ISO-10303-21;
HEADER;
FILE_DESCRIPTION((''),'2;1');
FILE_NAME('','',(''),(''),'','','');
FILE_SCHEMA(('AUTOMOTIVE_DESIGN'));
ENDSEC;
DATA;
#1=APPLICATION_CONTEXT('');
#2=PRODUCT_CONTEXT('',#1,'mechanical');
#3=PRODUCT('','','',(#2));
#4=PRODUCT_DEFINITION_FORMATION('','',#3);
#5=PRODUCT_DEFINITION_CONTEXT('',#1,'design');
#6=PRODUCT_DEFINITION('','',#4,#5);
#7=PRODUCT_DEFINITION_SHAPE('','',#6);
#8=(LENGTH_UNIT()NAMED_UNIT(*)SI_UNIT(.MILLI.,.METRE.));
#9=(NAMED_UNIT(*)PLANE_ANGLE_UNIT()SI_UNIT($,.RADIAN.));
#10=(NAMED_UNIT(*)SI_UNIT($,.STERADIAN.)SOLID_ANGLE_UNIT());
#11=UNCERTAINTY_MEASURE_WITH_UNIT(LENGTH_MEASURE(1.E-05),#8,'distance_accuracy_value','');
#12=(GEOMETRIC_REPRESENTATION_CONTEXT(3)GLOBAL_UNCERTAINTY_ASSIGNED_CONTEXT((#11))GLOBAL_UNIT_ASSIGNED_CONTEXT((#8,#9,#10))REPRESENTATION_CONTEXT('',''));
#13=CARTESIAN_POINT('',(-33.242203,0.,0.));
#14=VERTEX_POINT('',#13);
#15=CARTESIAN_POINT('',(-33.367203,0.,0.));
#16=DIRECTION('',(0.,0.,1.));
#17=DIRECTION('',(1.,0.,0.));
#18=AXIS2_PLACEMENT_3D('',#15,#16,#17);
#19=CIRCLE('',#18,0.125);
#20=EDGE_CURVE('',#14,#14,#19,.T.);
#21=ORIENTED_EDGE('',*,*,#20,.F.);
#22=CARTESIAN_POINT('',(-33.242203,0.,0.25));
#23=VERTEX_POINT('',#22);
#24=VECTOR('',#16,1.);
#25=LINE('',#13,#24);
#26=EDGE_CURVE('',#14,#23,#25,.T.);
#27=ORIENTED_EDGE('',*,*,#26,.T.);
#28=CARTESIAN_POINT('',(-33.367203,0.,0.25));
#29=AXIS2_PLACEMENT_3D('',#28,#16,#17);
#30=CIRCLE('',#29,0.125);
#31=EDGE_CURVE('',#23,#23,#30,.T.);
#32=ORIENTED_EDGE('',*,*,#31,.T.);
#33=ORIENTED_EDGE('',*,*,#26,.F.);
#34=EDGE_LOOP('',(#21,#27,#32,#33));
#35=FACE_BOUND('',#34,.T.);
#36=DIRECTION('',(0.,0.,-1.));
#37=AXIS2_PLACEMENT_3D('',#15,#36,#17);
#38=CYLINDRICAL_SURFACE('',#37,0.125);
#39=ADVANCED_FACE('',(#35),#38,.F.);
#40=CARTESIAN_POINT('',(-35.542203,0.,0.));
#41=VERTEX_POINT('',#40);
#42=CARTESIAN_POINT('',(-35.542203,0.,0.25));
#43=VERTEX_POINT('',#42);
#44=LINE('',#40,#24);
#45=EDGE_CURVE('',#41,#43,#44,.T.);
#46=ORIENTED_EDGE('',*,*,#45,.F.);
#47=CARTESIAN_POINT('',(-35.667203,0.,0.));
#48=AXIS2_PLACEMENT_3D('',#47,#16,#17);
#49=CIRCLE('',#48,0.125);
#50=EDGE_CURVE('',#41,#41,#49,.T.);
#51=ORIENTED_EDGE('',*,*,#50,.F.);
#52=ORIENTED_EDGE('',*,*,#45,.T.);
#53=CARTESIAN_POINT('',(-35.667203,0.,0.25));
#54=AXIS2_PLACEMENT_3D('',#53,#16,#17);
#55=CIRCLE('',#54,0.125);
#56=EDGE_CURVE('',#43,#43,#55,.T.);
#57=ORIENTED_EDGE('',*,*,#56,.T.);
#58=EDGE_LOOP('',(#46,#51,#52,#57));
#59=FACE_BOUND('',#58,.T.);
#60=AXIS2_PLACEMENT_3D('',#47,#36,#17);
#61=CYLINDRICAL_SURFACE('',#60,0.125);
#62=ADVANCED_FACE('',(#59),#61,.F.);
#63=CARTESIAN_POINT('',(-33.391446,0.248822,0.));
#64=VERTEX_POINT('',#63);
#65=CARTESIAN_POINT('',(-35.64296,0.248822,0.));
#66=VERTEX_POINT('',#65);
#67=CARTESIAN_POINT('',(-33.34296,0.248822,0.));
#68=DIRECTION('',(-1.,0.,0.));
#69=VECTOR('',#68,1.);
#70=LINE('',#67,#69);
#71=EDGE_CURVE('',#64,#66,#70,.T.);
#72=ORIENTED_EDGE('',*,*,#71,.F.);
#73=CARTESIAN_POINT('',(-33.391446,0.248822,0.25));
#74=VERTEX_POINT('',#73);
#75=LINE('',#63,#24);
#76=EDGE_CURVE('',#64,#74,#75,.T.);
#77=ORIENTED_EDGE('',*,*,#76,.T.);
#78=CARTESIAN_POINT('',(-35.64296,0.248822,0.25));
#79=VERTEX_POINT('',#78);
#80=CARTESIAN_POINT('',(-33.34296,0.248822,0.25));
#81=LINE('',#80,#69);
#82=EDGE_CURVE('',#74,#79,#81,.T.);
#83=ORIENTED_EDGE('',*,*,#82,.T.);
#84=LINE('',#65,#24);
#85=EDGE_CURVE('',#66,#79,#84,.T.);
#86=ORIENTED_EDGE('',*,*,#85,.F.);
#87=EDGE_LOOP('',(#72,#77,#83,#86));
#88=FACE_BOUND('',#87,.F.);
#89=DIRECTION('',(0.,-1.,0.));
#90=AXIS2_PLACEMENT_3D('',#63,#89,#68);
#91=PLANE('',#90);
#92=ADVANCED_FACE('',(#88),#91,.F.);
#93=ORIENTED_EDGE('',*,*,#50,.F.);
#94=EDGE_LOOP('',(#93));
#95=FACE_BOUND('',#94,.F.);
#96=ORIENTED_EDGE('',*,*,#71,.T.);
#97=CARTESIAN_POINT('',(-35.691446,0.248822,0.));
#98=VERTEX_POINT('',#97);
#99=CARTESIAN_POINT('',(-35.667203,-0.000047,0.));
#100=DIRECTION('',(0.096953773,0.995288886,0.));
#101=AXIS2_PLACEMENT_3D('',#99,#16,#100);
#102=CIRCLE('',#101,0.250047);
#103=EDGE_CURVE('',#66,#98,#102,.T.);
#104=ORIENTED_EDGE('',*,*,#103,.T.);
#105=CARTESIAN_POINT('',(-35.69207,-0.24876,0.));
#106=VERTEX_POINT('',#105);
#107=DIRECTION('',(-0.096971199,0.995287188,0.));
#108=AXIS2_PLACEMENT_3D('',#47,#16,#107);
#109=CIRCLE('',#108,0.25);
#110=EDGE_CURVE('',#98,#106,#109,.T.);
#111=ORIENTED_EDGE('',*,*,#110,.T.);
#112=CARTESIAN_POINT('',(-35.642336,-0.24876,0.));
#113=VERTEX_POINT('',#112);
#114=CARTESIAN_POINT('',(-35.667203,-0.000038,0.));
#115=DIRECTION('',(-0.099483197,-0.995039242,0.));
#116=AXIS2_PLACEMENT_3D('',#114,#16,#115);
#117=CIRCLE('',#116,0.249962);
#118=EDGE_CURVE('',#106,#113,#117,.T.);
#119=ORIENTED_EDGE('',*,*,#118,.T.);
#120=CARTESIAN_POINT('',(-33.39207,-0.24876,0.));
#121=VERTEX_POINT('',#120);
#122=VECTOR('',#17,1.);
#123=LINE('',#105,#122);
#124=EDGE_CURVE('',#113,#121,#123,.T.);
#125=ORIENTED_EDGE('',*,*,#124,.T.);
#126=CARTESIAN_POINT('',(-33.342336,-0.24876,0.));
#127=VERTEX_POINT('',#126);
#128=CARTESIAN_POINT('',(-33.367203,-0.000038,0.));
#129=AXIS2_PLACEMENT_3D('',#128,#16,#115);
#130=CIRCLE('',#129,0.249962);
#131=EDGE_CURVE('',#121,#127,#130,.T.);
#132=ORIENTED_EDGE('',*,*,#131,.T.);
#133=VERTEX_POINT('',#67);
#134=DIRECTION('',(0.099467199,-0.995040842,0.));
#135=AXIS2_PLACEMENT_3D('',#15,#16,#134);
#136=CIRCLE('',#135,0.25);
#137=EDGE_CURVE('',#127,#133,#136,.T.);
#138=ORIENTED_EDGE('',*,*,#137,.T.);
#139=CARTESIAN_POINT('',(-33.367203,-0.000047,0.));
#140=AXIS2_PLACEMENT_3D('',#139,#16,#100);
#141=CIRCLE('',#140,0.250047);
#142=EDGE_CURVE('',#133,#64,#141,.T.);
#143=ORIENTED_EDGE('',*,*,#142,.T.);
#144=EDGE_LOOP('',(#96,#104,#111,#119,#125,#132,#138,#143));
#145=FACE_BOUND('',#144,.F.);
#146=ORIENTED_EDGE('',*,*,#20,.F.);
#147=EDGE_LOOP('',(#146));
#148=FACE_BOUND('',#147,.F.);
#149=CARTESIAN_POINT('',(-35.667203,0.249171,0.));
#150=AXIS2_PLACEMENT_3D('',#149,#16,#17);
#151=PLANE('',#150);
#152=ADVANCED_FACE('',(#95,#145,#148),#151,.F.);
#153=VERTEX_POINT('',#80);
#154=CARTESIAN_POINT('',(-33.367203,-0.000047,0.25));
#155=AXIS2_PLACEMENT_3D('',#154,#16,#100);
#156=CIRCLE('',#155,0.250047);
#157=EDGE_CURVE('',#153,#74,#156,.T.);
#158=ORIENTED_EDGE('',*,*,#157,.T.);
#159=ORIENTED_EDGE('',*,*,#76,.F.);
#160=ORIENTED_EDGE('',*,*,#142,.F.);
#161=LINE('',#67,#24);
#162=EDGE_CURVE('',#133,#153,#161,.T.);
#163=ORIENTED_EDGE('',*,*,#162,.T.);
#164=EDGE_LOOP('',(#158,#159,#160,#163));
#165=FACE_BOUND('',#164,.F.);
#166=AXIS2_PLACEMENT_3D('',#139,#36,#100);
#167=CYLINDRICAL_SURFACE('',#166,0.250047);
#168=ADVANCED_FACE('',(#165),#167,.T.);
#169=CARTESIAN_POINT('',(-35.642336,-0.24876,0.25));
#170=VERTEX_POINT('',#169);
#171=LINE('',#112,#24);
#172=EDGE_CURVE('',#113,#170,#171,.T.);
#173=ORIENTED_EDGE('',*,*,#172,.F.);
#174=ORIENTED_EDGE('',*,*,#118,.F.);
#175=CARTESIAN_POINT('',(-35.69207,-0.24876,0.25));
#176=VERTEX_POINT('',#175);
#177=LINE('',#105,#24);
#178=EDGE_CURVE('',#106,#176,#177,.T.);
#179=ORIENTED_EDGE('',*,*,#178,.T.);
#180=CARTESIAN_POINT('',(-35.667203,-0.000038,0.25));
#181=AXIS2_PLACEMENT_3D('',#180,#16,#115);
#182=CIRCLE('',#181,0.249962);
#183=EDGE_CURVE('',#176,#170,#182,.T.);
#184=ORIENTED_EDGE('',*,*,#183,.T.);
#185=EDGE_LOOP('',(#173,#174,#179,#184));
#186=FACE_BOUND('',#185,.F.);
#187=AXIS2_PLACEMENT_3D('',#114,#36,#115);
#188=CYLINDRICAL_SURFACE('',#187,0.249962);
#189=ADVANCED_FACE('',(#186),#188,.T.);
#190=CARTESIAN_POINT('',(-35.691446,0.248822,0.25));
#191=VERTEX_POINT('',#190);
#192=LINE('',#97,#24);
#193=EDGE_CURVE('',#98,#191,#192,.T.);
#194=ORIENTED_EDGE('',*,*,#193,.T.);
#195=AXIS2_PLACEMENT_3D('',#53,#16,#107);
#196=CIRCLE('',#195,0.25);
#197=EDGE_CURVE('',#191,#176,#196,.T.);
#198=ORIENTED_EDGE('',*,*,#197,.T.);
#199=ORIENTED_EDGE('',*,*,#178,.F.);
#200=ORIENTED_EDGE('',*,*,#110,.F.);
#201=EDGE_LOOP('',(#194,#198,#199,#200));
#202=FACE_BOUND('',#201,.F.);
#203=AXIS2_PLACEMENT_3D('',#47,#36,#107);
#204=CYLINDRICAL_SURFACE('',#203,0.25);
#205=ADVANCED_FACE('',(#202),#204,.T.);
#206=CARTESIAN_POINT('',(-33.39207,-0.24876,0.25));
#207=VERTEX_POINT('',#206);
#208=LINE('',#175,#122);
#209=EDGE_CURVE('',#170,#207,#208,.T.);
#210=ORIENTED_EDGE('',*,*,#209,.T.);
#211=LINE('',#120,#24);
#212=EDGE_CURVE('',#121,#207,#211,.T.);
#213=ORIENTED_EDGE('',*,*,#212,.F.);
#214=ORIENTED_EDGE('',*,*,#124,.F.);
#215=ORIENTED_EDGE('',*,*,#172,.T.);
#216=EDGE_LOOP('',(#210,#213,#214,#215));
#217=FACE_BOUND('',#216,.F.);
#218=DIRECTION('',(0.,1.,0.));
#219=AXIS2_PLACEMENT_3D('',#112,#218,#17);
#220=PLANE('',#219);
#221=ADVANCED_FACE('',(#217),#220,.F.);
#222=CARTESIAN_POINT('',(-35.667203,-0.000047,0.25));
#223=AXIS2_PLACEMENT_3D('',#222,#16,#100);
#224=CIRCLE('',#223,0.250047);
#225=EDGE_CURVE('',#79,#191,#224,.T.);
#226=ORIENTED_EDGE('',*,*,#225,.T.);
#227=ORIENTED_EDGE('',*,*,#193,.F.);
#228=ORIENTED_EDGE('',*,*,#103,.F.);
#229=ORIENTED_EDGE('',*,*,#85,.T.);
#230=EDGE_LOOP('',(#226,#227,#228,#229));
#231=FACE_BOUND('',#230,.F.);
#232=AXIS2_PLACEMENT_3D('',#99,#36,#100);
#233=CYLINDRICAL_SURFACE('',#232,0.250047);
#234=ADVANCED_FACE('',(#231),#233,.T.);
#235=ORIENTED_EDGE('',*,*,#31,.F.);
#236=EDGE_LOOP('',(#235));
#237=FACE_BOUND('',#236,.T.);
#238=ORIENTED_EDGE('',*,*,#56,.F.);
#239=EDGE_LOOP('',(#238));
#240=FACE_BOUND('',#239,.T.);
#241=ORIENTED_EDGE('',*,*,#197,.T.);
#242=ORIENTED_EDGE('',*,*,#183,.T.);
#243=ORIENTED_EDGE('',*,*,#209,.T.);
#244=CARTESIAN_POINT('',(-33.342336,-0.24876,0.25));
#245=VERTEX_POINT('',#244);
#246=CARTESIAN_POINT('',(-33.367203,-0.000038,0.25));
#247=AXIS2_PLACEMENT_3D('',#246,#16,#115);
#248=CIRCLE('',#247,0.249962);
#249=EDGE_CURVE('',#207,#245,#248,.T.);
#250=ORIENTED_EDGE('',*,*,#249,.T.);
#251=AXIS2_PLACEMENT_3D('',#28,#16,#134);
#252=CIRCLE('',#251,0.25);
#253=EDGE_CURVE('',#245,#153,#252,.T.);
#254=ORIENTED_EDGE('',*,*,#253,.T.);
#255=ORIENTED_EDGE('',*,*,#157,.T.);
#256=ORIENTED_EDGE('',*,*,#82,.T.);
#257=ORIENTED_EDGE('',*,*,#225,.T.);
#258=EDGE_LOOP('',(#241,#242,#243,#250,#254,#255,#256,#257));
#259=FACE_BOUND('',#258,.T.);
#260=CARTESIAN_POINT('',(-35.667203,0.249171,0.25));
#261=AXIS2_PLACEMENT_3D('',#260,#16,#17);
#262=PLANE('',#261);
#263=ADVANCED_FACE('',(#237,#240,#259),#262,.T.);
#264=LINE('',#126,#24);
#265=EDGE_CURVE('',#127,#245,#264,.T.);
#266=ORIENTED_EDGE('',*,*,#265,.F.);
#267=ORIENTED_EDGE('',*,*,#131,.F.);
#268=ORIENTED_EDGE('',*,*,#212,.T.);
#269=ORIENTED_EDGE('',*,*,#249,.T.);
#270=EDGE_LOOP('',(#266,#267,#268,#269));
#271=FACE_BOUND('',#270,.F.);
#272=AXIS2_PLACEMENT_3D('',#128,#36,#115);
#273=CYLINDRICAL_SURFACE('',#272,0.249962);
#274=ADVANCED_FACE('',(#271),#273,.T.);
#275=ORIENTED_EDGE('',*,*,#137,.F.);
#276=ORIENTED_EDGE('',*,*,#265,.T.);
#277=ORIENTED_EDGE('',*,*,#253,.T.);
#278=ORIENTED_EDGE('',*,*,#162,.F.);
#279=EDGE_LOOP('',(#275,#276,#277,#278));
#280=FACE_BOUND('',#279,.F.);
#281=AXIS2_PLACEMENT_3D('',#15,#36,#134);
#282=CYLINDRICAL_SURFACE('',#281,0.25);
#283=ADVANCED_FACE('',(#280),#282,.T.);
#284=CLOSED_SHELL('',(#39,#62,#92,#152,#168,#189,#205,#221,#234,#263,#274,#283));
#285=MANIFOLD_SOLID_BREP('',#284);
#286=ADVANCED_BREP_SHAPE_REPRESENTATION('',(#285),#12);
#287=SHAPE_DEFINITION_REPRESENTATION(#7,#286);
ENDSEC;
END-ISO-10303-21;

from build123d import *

# Parameters (mm, degrees)
F0_R     = 0.125
F1_DEPTH = 0.25


with BuildPart() as f1:
    # F0 (on Top) → F1 (new body)
    with BuildSketch(Plane.XY):
        with BuildLine():
            Line((-35.691446, 0.248822), (-35.64296, 0.248822))
            ThreePointArc((-35.64296, 0.248822), (-35.667203, 0.25), (-35.691446, 0.248822))
        make_face()
        with BuildLine():
            Line((-35.642336, -0.24876), (-35.69207, -0.24876))
            ThreePointArc((-35.69207, -0.24876), (-35.667203, -0.25), (-35.642336, -0.24876))
        make_face()
        with BuildLine():
            ThreePointArc((-33.39207, -0.24876), (-33.367203, -0.25), (-33.342336, -0.24876))
            Line((-33.342336, -0.24876), (-33.39207, -0.24876))
        make_face()
        with BuildLine():
            ThreePointArc((-33.34296, 0.248822), (-33.367203, 0.25), (-33.391446, 0.248822))
            Line((-33.391446, 0.248822), (-33.34296, 0.248822))
        make_face()
        with BuildLine():
            Line((-33.391446, 0.248822), (-35.64296, 0.248822))
            Line((-35.64296, 0.248822), (-35.691446, 0.248822))
            ThreePointArc((-35.691446, 0.248822), (-35.917203, 0.000314), (-35.69207, -0.24876))
            Line((-35.69207, -0.24876), (-35.642336, -0.24876))
            Line((-35.642336, -0.24876), (-33.39207, -0.24876))
            Line((-33.39207, -0.24876), (-33.342336, -0.24876))
            ThreePointArc((-33.342336, -0.24876), (-33.117203, 0.000314), (-33.34296, 0.248822))
            Line((-33.34296, 0.248822), (-33.391446, 0.248822))
        make_face()
        with Locations((-35.667203, 0)):
            Circle(F0_R, mode=Mode.SUBTRACT)
        with Locations((-33.367203, 0)):
            Circle(F0_R, mode=Mode.SUBTRACT)
    extrude(amount=F1_DEPTH)


solid = f1.part
